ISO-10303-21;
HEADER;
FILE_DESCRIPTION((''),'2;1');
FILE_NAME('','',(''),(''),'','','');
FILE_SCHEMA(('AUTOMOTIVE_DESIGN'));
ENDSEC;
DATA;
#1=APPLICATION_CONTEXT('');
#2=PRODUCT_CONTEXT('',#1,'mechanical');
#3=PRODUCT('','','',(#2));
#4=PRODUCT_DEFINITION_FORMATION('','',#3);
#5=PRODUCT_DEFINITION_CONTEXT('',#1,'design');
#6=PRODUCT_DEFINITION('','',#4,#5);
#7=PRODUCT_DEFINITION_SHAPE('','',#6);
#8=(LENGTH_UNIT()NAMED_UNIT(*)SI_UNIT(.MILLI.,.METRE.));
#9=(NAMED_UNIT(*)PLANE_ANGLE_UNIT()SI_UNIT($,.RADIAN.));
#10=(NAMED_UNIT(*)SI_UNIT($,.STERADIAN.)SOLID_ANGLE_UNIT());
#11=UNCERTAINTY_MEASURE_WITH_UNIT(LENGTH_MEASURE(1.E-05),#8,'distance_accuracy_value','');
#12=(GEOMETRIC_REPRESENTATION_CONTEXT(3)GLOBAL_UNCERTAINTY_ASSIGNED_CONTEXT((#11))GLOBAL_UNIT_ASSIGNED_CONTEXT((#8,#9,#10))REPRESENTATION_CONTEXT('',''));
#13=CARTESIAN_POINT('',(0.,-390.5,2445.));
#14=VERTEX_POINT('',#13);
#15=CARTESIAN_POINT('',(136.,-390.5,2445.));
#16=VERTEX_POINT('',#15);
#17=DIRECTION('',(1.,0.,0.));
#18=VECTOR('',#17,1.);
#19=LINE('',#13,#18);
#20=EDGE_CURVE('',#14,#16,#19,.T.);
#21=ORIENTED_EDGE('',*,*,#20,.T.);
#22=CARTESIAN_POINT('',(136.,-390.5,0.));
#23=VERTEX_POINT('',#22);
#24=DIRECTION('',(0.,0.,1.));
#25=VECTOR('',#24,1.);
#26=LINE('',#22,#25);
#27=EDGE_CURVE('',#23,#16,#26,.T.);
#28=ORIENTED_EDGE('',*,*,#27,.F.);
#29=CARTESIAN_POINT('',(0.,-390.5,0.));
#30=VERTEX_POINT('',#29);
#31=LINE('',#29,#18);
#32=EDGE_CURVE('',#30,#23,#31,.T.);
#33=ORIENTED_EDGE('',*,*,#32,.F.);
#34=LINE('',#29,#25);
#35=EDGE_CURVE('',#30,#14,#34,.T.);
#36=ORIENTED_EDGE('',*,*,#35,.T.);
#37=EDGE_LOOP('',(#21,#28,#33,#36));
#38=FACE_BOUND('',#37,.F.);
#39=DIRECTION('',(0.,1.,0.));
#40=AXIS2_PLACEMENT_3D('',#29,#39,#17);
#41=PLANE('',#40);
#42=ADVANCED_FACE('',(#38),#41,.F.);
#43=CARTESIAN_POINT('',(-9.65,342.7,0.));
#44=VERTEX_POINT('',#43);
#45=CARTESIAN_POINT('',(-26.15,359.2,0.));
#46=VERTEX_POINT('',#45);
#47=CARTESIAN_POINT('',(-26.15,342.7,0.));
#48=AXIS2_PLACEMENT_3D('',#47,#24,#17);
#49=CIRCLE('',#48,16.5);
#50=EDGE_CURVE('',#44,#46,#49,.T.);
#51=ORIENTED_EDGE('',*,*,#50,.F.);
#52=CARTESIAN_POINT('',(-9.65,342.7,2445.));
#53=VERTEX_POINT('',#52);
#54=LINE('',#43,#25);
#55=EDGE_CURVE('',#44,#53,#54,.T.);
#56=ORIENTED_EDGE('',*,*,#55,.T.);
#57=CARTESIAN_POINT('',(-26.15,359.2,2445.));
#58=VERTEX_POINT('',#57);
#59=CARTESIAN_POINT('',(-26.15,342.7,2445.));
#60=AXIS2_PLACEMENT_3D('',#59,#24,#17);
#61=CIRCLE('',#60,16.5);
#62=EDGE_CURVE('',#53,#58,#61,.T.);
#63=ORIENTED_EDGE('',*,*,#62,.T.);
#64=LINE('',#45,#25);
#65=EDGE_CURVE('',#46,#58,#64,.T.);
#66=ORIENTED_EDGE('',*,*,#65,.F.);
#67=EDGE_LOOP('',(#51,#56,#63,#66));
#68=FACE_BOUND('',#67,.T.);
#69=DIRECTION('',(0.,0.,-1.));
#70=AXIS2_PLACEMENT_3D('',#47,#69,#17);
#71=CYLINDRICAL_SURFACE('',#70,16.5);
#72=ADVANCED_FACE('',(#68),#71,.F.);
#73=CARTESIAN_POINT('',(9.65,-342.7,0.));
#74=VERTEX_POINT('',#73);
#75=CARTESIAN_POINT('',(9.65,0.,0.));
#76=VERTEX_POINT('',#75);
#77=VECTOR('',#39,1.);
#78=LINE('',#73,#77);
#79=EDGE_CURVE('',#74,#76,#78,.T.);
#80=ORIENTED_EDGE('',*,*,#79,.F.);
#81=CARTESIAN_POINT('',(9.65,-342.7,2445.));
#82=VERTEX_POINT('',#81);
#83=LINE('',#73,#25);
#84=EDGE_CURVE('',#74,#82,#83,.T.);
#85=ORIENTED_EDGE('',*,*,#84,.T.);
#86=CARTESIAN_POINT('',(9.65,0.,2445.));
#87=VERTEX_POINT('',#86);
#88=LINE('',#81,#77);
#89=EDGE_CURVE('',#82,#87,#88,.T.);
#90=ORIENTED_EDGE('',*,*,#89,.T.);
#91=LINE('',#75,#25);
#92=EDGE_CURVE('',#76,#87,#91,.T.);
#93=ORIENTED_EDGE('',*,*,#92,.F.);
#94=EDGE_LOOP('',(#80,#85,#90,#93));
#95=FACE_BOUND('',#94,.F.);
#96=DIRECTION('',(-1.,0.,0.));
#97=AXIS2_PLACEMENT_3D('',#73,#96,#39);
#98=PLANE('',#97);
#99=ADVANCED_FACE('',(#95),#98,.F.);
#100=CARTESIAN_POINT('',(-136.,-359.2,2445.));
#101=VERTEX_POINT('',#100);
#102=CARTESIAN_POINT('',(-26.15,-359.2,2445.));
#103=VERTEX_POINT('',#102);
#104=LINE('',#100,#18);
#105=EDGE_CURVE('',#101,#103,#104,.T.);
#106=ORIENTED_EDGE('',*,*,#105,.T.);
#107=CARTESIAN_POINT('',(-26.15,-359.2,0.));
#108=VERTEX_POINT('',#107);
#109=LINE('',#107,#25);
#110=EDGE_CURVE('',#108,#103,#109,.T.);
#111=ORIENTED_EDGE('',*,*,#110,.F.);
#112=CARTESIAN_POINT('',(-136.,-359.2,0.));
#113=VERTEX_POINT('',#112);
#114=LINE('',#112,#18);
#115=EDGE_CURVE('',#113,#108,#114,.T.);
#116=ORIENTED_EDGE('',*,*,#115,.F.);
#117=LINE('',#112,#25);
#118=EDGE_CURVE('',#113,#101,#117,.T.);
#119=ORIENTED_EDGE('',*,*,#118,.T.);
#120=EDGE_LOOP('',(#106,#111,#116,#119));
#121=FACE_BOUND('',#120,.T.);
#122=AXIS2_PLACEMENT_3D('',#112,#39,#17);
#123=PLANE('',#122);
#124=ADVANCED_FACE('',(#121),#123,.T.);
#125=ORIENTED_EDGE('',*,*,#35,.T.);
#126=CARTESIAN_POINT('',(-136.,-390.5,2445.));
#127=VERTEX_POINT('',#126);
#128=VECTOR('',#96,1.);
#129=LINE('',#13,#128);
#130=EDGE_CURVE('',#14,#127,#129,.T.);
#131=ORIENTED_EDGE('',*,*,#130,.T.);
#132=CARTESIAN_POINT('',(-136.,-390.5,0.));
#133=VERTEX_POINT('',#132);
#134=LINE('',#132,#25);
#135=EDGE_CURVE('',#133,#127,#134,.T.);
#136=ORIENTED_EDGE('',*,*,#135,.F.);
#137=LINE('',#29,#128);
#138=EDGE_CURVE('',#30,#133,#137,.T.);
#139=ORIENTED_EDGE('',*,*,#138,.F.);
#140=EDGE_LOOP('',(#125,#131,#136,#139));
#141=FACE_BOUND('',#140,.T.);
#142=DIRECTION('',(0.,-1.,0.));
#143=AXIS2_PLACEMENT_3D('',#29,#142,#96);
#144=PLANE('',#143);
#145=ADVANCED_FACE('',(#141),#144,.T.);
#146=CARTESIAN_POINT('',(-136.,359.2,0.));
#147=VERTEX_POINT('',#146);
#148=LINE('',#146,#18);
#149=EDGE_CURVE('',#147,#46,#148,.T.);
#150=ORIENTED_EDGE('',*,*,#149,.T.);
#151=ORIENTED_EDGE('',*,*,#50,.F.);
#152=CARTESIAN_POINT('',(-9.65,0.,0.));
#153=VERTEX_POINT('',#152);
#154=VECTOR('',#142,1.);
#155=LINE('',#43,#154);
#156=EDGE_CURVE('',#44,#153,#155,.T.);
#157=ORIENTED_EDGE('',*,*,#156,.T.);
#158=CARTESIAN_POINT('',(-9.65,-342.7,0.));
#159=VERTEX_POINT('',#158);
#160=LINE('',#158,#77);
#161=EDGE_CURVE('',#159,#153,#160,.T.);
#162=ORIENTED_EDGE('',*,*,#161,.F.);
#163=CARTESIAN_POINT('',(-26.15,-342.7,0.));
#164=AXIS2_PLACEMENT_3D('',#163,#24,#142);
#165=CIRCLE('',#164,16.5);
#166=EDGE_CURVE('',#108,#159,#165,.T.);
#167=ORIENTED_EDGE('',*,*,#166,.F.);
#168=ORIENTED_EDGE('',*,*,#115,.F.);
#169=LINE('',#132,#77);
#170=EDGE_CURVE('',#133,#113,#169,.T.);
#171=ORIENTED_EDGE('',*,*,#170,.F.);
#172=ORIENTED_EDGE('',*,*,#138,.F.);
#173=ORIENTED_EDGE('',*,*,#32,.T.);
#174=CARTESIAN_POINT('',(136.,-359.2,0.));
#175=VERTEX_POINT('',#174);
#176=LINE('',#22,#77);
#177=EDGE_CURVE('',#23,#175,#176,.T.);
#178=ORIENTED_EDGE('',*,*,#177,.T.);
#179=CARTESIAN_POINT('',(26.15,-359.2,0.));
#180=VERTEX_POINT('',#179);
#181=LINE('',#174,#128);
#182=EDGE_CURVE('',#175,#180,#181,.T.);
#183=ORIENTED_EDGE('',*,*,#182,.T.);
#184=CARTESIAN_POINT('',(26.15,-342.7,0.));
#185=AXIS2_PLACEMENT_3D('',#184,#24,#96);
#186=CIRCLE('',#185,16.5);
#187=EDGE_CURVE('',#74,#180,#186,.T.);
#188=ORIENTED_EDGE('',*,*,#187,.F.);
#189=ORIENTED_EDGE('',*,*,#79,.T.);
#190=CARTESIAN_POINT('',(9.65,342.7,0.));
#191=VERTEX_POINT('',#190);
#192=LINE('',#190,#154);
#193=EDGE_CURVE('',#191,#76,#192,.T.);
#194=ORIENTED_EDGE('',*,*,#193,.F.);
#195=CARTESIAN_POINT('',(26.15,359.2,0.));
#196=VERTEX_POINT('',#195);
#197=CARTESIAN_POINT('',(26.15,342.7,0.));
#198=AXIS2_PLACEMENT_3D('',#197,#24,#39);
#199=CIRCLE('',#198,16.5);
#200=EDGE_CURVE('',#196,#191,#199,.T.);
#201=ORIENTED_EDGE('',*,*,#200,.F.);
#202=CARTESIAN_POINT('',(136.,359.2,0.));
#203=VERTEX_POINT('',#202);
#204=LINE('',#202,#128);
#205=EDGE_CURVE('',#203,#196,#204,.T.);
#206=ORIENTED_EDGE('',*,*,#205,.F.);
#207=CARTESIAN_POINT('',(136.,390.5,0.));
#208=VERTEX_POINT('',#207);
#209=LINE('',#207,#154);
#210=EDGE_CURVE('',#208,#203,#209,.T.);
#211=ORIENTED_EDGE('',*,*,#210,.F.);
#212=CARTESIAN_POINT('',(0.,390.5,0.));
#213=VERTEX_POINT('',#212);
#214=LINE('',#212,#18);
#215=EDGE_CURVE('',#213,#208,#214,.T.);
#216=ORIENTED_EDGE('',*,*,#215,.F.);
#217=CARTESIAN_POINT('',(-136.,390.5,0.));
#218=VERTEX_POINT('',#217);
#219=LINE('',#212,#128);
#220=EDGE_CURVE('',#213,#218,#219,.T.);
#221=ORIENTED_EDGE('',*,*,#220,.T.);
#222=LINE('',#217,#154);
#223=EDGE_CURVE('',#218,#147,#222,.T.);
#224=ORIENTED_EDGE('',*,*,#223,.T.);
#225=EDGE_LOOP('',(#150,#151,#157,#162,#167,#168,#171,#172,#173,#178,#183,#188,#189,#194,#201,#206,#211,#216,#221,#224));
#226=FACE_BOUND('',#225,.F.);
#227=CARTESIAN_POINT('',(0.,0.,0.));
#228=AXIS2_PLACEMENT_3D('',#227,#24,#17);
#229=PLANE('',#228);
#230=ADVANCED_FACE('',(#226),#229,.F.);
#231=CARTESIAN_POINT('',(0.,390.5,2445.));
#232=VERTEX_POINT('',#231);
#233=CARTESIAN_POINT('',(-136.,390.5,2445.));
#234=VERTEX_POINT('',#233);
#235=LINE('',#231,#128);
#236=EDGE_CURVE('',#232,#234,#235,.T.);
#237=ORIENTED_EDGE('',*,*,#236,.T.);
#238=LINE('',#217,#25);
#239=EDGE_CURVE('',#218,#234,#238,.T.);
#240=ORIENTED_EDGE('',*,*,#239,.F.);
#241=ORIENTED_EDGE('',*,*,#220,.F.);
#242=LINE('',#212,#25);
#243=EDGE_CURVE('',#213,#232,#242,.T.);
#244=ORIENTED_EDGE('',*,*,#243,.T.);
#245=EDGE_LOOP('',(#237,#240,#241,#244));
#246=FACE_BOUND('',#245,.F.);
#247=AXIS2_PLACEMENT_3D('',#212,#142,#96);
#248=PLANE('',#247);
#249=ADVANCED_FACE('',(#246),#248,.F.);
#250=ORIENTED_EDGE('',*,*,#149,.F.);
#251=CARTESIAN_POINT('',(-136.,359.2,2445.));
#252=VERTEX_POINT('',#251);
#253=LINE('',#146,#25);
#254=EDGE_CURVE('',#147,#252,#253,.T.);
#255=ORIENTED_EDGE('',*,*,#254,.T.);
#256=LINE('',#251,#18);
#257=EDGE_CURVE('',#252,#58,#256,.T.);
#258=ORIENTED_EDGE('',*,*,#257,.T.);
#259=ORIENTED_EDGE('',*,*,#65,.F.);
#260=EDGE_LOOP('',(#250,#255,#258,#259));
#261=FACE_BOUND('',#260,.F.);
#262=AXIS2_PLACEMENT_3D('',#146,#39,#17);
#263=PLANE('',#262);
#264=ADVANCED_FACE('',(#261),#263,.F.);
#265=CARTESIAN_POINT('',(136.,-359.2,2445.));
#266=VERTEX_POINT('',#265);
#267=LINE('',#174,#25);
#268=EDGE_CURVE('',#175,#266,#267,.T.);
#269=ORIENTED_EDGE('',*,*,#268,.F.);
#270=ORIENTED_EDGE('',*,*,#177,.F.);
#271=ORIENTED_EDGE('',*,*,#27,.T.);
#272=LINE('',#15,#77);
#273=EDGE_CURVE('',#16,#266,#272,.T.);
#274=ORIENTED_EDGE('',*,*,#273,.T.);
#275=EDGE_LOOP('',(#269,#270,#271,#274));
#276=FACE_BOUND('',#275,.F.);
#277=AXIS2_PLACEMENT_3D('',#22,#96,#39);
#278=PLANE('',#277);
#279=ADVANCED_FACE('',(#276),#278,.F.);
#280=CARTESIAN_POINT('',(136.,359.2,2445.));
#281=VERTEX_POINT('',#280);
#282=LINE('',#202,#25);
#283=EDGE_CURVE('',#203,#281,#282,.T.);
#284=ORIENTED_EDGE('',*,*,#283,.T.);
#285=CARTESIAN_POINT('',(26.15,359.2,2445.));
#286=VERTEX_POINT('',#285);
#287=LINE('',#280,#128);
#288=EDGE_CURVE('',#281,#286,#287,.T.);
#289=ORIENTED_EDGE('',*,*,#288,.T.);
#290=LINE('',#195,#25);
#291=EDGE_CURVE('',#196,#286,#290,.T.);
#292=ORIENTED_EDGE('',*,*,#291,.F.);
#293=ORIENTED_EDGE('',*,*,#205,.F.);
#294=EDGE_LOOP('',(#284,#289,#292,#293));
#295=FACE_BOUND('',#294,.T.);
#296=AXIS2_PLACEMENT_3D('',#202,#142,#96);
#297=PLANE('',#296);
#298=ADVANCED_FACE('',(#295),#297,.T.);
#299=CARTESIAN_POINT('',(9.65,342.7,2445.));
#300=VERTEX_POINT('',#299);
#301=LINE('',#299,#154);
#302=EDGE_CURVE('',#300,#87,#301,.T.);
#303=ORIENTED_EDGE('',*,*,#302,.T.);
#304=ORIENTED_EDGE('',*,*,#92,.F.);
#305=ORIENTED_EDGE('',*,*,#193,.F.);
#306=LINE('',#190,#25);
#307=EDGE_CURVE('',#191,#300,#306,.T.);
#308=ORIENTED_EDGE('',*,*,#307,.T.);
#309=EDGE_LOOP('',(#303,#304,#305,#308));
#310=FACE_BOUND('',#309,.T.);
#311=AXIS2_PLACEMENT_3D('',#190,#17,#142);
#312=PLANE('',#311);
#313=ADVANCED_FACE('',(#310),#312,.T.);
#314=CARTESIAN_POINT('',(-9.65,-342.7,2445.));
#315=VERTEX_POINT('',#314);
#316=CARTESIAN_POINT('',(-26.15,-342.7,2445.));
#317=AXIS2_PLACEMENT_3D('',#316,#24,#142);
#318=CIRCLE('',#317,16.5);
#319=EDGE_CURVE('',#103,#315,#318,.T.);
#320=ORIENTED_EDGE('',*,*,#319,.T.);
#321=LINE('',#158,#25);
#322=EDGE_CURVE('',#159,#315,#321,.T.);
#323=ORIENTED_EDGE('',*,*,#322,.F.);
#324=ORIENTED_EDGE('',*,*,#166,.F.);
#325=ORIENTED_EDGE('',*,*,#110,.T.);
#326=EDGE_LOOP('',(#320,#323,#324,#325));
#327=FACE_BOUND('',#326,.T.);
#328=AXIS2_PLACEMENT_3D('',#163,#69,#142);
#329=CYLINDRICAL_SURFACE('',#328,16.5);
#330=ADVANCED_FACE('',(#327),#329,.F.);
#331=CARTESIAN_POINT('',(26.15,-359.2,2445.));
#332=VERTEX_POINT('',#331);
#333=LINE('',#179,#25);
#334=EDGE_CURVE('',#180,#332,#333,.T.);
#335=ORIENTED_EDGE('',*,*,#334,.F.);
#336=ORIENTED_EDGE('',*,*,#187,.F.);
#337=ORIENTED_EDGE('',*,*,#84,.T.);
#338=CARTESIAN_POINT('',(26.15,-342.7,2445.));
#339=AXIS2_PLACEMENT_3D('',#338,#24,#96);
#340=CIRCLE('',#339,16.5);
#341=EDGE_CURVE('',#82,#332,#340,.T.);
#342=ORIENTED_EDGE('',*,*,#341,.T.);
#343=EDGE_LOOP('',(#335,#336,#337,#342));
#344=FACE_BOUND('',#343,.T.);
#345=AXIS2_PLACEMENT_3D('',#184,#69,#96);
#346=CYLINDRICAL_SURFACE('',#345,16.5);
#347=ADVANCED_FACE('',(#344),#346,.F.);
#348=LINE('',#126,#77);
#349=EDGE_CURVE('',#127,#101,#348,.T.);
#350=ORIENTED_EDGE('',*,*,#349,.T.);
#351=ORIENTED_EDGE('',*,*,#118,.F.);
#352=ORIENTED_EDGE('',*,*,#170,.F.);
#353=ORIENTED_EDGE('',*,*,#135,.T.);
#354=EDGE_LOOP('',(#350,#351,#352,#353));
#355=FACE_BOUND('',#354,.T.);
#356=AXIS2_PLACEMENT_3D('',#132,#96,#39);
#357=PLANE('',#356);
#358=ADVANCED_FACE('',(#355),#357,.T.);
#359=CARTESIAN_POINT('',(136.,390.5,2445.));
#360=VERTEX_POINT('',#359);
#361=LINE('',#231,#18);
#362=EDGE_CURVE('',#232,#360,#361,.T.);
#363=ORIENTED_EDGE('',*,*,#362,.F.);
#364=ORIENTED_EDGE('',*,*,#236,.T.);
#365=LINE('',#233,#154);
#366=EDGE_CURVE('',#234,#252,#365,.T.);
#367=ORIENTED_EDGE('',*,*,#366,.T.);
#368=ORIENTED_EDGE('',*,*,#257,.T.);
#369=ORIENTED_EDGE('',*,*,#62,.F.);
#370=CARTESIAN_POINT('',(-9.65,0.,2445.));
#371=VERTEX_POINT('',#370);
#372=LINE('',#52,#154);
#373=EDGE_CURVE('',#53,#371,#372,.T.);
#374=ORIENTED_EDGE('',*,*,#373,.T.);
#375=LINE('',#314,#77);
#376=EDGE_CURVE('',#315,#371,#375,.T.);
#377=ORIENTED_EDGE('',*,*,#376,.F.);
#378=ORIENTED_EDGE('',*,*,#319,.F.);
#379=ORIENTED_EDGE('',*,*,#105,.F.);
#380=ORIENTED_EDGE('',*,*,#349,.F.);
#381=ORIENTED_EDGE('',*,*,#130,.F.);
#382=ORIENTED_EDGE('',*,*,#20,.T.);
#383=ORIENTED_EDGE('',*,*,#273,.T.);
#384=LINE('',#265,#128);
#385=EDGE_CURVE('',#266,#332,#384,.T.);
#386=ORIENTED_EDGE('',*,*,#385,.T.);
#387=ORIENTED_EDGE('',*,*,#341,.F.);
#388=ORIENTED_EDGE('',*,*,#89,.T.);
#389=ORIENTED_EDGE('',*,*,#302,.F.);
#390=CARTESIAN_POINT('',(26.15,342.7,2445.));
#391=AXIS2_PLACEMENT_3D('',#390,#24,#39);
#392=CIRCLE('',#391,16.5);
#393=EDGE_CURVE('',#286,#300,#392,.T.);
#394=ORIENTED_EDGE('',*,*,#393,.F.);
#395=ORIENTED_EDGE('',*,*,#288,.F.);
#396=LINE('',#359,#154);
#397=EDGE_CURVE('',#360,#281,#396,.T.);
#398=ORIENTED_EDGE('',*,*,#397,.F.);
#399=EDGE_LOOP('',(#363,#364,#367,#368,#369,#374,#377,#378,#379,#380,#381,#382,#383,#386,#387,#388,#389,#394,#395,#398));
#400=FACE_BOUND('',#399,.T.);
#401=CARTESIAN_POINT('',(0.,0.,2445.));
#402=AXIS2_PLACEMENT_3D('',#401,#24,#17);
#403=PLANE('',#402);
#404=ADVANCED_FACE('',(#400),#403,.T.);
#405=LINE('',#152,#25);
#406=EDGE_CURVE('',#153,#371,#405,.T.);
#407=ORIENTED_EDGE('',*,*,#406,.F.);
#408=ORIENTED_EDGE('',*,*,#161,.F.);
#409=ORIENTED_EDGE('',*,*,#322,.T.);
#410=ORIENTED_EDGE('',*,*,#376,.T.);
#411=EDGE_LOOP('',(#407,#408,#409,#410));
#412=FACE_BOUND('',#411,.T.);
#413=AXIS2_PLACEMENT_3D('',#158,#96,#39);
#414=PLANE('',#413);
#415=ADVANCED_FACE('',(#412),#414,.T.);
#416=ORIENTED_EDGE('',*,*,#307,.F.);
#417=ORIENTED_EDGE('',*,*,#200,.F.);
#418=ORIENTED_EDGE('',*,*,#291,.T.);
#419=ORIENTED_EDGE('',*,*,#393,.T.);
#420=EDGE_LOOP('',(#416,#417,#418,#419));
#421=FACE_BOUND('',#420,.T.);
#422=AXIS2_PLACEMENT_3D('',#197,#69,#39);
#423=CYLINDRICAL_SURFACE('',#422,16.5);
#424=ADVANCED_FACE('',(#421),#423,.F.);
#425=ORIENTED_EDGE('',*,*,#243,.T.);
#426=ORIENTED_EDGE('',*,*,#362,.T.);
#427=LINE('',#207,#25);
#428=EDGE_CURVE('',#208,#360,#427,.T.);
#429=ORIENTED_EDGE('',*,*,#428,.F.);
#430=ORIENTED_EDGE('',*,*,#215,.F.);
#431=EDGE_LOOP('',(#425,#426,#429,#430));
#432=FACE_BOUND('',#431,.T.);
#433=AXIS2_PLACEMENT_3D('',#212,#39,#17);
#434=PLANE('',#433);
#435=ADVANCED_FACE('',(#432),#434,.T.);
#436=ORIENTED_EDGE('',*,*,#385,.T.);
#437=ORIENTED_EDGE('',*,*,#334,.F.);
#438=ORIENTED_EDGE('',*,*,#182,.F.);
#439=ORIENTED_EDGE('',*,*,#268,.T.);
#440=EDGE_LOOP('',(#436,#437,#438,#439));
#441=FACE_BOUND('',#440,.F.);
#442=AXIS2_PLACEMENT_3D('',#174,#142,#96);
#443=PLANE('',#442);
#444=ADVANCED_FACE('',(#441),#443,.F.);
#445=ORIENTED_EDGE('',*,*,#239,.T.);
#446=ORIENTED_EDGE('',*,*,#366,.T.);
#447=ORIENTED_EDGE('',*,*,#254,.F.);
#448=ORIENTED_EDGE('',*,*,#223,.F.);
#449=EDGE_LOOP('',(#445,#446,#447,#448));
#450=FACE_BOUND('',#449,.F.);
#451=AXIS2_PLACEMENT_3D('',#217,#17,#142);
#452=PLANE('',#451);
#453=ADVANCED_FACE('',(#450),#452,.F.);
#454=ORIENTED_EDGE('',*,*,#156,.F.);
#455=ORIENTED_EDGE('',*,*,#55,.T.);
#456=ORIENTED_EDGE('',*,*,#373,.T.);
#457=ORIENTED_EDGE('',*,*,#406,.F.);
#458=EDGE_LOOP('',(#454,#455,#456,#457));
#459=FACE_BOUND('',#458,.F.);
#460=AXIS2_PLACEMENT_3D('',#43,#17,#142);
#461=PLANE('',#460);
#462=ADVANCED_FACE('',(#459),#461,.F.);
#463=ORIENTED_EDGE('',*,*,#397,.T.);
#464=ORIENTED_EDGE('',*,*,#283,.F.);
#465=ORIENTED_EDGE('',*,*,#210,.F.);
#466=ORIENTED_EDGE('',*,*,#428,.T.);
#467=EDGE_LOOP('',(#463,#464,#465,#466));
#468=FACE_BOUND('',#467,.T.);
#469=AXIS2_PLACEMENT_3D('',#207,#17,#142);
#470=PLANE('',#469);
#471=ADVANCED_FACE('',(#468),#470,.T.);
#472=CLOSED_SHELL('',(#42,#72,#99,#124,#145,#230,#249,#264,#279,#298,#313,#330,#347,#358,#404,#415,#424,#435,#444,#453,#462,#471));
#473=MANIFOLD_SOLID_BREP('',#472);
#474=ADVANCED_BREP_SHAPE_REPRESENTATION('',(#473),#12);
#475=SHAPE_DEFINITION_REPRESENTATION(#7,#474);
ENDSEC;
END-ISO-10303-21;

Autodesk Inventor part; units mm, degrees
ref_plane "YZ Plane" through (0, 0, 0) normal (1, 0, 0) x (0, 1, 0)
ref_plane "Start plane" through (0, 0, 0) normal (0, 0, 1) x (1, 0, 0)
ref_plane "End plane" through (0, 0, 2445) normal (0, 0, 1) x (1, 0, 0)
sketch "Sketch" plane through (0, 0, 0) normal (0, 0, 1) x (1, 0, 0)
  line L0 (-136, -390.5) -> (-136, -359.2)
  line L1 (-136, -359.2) -> (-26.15, -359.2)
  line L2 (-9.65, -342.7) -> (-9.65, 0)
  line L3 (-9.65, 0) -> (0, 0) construction
  line L4 (0, 0) -> (0, -390.5) construction
  line L5 (0, -390.5) -> (-136, -390.5)
  line L6 (-60, 0) -> (80, 0) construction
  line L7 (0, -60) -> (0, 80) construction
  line L8 (136, -390.5) -> (136, -359.2)
  line L9 (136, -359.2) -> (26.15, -359.2)
  line L10 (9.65, -342.7) -> (9.65, 0)
  line L11 (9.65, 0) -> (0, 0) construction
  line L12 (0, -390.5) -> (136, -390.5)
  line L13 (-136, 390.5) -> (-136, 359.2)
  line L14 (-136, 359.2) -> (-26.15, 359.2)
  line L15 (-9.65, 342.7) -> (-9.65, 0)
  line L16 (0, 390.5) -> (-136, 390.5)
  line L17 (136, 390.5) -> (136, 359.2)
  line L18 (136, 359.2) -> (26.15, 359.2)
  line L19 (0, 390.5) -> (136, 390.5)
  line L20 (9.65, 342.7) -> (9.65, 0)
  arc A0 (-9.65, 342.7) -> (-26.15, 359.2) centre (-26.15, 342.7) ccw
  arc A1 (26.15, 359.2) -> (9.65, 342.7) centre (26.15, 342.7) ccw
  arc A2 (9.65, -342.7) -> (26.15, -359.2) centre (26.15, -342.7) ccw
  arc A3 (-26.15, -359.2) -> (-9.65, -342.7) centre (-26.15, -342.7) ccw
  line L21 (0, 108) -> (0, -88) construction
  line L22 (-88, 0) -> (108, 0) construction
  point P0 (-9.65, -359.2)
  point P1 (9.65, -359.2)
  point P2 (-9.65, 359.2)
  point P3 (9.65, 359.2)
  dimension "d1" = 390.5
  dimension "d2" = 31.3
  dimension "d3" = 136
  dimension "d4" = 9.65
  dimension "d10" = 16.5
extrude "Body" add sketch "Sketch" along normal up to surface (2445 mm away) from surface at 0
sketch "Sketch4" plane through (0, 0, 0) normal (0, 0, 1) x (1, 0, 0)
  line L0 (0, 0) -> (10, 0)
ref_plane "Work Plane3" through (0, 0, 0) normal (0, -1, 0) x (1, 0, 0)
sketch "Sketch5" plane through (0, 0, 0) normal (0, -1, 0) x (1, 0, 0)
  line L0 (-2, 0) -> (12, 0) projected
  line L1 (-2, 2445) -> (12, 2445) projected
  dimension "d14" = 2445
equation "\"d1\" = 0.5 * G_H"
equation "\"d2\" = G_T1"
equation "\"d3\" = 0.5 * G_W"
equation "\"d4\" = 0.5 * G_T"
equation "\"d10\" = G_IR"
equation "\"d5\" = G_L"
equation "\"G_W\" = 272"
equation "\"G_H\" = 781"
equation "\"G_T\" = 19.3"
equation "\"G_T1\" = 31.3"
equation "\"G_IR\" = 16.5"
equation "\"G_L\" = d14"
equation "\"G_OFFSET_START\" = 0"
equation "\"G_OFFSET_END\" = 0"
equation "\"d12\" = G_OFFSET_END + B_L"
equation "\"B_L\" = 2445"
properties part number "AS 3679-1990 - 760 UB - 244 - 2445" material "Steel, Mild"
